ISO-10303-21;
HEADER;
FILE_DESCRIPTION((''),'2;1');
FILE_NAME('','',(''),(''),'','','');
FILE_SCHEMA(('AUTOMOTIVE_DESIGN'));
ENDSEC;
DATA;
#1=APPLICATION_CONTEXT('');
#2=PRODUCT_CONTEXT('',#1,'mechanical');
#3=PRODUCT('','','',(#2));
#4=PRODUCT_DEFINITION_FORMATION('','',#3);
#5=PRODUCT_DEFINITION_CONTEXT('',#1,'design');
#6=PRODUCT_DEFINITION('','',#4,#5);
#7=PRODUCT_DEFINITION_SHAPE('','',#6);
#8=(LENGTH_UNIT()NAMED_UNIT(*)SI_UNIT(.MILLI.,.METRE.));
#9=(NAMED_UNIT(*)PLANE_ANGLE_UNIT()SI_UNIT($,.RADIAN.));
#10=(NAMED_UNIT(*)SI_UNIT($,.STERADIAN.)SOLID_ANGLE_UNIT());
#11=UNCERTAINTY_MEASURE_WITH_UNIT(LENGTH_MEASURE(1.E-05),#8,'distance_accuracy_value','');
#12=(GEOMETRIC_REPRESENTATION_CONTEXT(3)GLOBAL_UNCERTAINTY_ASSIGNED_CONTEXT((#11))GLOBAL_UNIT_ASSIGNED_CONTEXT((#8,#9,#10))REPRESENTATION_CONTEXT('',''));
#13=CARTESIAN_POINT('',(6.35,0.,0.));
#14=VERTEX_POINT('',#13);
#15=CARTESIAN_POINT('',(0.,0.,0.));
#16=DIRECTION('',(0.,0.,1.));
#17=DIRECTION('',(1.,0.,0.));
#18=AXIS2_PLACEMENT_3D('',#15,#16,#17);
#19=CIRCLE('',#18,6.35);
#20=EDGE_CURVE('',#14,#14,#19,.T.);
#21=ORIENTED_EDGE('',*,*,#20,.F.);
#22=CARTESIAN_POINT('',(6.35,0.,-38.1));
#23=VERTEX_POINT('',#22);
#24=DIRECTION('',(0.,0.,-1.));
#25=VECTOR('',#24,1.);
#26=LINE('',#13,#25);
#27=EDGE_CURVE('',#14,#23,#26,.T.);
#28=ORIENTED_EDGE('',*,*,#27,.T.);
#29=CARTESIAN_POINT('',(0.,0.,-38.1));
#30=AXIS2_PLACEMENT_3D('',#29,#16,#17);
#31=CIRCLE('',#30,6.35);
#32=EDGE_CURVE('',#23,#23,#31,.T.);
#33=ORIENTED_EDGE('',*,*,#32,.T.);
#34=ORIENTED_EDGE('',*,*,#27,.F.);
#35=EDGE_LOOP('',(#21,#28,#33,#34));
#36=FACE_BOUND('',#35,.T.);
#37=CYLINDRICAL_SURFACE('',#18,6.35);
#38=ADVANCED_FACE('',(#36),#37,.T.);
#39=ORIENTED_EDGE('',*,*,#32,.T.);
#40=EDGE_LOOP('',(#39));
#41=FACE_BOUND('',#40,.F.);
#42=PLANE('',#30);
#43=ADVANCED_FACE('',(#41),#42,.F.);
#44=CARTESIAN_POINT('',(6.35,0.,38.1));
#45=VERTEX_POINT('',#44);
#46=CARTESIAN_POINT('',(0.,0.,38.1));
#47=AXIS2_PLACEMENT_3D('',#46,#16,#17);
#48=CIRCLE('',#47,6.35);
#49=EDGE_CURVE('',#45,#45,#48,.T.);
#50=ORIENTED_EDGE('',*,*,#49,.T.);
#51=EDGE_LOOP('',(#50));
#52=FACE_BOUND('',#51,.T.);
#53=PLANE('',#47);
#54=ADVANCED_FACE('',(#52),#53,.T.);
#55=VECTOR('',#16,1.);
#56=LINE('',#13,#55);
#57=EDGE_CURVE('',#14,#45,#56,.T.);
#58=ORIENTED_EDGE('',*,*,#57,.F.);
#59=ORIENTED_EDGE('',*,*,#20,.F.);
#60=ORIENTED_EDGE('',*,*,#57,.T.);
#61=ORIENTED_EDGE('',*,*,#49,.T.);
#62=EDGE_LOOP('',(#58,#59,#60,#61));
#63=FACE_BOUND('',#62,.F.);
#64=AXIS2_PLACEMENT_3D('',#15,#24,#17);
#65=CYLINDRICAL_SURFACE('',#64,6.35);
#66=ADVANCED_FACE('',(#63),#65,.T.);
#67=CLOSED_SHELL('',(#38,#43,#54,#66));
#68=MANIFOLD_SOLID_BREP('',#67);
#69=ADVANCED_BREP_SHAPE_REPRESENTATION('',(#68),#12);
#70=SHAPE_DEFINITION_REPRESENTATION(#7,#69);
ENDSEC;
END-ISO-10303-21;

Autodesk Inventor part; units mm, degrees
ref_plane "YZ Plane" through (0, 0, 0) normal (1, 0, 0) x (0, 1, 0)
ref_plane "XZ Plane" through (0, 0, 0) normal (0, 1, 0) x (-1, 0, 0)
ref_plane "XY Plane" through (0, 0, 0) normal (0, 0, 1) x (1, 0, 0)
sketch "Sketch1" plane through (0, 0, 0) normal (0, 0, 1) x (1, 0, 0)
  circle A0 centre (0, 0) radius 6.35
  dimension "d0" = 12.7
extrude "Extrusion1" add sketch "Sketch1" along normal mid plane 76.2
properties part number "CL6-006" material "Aluminum 6061"
